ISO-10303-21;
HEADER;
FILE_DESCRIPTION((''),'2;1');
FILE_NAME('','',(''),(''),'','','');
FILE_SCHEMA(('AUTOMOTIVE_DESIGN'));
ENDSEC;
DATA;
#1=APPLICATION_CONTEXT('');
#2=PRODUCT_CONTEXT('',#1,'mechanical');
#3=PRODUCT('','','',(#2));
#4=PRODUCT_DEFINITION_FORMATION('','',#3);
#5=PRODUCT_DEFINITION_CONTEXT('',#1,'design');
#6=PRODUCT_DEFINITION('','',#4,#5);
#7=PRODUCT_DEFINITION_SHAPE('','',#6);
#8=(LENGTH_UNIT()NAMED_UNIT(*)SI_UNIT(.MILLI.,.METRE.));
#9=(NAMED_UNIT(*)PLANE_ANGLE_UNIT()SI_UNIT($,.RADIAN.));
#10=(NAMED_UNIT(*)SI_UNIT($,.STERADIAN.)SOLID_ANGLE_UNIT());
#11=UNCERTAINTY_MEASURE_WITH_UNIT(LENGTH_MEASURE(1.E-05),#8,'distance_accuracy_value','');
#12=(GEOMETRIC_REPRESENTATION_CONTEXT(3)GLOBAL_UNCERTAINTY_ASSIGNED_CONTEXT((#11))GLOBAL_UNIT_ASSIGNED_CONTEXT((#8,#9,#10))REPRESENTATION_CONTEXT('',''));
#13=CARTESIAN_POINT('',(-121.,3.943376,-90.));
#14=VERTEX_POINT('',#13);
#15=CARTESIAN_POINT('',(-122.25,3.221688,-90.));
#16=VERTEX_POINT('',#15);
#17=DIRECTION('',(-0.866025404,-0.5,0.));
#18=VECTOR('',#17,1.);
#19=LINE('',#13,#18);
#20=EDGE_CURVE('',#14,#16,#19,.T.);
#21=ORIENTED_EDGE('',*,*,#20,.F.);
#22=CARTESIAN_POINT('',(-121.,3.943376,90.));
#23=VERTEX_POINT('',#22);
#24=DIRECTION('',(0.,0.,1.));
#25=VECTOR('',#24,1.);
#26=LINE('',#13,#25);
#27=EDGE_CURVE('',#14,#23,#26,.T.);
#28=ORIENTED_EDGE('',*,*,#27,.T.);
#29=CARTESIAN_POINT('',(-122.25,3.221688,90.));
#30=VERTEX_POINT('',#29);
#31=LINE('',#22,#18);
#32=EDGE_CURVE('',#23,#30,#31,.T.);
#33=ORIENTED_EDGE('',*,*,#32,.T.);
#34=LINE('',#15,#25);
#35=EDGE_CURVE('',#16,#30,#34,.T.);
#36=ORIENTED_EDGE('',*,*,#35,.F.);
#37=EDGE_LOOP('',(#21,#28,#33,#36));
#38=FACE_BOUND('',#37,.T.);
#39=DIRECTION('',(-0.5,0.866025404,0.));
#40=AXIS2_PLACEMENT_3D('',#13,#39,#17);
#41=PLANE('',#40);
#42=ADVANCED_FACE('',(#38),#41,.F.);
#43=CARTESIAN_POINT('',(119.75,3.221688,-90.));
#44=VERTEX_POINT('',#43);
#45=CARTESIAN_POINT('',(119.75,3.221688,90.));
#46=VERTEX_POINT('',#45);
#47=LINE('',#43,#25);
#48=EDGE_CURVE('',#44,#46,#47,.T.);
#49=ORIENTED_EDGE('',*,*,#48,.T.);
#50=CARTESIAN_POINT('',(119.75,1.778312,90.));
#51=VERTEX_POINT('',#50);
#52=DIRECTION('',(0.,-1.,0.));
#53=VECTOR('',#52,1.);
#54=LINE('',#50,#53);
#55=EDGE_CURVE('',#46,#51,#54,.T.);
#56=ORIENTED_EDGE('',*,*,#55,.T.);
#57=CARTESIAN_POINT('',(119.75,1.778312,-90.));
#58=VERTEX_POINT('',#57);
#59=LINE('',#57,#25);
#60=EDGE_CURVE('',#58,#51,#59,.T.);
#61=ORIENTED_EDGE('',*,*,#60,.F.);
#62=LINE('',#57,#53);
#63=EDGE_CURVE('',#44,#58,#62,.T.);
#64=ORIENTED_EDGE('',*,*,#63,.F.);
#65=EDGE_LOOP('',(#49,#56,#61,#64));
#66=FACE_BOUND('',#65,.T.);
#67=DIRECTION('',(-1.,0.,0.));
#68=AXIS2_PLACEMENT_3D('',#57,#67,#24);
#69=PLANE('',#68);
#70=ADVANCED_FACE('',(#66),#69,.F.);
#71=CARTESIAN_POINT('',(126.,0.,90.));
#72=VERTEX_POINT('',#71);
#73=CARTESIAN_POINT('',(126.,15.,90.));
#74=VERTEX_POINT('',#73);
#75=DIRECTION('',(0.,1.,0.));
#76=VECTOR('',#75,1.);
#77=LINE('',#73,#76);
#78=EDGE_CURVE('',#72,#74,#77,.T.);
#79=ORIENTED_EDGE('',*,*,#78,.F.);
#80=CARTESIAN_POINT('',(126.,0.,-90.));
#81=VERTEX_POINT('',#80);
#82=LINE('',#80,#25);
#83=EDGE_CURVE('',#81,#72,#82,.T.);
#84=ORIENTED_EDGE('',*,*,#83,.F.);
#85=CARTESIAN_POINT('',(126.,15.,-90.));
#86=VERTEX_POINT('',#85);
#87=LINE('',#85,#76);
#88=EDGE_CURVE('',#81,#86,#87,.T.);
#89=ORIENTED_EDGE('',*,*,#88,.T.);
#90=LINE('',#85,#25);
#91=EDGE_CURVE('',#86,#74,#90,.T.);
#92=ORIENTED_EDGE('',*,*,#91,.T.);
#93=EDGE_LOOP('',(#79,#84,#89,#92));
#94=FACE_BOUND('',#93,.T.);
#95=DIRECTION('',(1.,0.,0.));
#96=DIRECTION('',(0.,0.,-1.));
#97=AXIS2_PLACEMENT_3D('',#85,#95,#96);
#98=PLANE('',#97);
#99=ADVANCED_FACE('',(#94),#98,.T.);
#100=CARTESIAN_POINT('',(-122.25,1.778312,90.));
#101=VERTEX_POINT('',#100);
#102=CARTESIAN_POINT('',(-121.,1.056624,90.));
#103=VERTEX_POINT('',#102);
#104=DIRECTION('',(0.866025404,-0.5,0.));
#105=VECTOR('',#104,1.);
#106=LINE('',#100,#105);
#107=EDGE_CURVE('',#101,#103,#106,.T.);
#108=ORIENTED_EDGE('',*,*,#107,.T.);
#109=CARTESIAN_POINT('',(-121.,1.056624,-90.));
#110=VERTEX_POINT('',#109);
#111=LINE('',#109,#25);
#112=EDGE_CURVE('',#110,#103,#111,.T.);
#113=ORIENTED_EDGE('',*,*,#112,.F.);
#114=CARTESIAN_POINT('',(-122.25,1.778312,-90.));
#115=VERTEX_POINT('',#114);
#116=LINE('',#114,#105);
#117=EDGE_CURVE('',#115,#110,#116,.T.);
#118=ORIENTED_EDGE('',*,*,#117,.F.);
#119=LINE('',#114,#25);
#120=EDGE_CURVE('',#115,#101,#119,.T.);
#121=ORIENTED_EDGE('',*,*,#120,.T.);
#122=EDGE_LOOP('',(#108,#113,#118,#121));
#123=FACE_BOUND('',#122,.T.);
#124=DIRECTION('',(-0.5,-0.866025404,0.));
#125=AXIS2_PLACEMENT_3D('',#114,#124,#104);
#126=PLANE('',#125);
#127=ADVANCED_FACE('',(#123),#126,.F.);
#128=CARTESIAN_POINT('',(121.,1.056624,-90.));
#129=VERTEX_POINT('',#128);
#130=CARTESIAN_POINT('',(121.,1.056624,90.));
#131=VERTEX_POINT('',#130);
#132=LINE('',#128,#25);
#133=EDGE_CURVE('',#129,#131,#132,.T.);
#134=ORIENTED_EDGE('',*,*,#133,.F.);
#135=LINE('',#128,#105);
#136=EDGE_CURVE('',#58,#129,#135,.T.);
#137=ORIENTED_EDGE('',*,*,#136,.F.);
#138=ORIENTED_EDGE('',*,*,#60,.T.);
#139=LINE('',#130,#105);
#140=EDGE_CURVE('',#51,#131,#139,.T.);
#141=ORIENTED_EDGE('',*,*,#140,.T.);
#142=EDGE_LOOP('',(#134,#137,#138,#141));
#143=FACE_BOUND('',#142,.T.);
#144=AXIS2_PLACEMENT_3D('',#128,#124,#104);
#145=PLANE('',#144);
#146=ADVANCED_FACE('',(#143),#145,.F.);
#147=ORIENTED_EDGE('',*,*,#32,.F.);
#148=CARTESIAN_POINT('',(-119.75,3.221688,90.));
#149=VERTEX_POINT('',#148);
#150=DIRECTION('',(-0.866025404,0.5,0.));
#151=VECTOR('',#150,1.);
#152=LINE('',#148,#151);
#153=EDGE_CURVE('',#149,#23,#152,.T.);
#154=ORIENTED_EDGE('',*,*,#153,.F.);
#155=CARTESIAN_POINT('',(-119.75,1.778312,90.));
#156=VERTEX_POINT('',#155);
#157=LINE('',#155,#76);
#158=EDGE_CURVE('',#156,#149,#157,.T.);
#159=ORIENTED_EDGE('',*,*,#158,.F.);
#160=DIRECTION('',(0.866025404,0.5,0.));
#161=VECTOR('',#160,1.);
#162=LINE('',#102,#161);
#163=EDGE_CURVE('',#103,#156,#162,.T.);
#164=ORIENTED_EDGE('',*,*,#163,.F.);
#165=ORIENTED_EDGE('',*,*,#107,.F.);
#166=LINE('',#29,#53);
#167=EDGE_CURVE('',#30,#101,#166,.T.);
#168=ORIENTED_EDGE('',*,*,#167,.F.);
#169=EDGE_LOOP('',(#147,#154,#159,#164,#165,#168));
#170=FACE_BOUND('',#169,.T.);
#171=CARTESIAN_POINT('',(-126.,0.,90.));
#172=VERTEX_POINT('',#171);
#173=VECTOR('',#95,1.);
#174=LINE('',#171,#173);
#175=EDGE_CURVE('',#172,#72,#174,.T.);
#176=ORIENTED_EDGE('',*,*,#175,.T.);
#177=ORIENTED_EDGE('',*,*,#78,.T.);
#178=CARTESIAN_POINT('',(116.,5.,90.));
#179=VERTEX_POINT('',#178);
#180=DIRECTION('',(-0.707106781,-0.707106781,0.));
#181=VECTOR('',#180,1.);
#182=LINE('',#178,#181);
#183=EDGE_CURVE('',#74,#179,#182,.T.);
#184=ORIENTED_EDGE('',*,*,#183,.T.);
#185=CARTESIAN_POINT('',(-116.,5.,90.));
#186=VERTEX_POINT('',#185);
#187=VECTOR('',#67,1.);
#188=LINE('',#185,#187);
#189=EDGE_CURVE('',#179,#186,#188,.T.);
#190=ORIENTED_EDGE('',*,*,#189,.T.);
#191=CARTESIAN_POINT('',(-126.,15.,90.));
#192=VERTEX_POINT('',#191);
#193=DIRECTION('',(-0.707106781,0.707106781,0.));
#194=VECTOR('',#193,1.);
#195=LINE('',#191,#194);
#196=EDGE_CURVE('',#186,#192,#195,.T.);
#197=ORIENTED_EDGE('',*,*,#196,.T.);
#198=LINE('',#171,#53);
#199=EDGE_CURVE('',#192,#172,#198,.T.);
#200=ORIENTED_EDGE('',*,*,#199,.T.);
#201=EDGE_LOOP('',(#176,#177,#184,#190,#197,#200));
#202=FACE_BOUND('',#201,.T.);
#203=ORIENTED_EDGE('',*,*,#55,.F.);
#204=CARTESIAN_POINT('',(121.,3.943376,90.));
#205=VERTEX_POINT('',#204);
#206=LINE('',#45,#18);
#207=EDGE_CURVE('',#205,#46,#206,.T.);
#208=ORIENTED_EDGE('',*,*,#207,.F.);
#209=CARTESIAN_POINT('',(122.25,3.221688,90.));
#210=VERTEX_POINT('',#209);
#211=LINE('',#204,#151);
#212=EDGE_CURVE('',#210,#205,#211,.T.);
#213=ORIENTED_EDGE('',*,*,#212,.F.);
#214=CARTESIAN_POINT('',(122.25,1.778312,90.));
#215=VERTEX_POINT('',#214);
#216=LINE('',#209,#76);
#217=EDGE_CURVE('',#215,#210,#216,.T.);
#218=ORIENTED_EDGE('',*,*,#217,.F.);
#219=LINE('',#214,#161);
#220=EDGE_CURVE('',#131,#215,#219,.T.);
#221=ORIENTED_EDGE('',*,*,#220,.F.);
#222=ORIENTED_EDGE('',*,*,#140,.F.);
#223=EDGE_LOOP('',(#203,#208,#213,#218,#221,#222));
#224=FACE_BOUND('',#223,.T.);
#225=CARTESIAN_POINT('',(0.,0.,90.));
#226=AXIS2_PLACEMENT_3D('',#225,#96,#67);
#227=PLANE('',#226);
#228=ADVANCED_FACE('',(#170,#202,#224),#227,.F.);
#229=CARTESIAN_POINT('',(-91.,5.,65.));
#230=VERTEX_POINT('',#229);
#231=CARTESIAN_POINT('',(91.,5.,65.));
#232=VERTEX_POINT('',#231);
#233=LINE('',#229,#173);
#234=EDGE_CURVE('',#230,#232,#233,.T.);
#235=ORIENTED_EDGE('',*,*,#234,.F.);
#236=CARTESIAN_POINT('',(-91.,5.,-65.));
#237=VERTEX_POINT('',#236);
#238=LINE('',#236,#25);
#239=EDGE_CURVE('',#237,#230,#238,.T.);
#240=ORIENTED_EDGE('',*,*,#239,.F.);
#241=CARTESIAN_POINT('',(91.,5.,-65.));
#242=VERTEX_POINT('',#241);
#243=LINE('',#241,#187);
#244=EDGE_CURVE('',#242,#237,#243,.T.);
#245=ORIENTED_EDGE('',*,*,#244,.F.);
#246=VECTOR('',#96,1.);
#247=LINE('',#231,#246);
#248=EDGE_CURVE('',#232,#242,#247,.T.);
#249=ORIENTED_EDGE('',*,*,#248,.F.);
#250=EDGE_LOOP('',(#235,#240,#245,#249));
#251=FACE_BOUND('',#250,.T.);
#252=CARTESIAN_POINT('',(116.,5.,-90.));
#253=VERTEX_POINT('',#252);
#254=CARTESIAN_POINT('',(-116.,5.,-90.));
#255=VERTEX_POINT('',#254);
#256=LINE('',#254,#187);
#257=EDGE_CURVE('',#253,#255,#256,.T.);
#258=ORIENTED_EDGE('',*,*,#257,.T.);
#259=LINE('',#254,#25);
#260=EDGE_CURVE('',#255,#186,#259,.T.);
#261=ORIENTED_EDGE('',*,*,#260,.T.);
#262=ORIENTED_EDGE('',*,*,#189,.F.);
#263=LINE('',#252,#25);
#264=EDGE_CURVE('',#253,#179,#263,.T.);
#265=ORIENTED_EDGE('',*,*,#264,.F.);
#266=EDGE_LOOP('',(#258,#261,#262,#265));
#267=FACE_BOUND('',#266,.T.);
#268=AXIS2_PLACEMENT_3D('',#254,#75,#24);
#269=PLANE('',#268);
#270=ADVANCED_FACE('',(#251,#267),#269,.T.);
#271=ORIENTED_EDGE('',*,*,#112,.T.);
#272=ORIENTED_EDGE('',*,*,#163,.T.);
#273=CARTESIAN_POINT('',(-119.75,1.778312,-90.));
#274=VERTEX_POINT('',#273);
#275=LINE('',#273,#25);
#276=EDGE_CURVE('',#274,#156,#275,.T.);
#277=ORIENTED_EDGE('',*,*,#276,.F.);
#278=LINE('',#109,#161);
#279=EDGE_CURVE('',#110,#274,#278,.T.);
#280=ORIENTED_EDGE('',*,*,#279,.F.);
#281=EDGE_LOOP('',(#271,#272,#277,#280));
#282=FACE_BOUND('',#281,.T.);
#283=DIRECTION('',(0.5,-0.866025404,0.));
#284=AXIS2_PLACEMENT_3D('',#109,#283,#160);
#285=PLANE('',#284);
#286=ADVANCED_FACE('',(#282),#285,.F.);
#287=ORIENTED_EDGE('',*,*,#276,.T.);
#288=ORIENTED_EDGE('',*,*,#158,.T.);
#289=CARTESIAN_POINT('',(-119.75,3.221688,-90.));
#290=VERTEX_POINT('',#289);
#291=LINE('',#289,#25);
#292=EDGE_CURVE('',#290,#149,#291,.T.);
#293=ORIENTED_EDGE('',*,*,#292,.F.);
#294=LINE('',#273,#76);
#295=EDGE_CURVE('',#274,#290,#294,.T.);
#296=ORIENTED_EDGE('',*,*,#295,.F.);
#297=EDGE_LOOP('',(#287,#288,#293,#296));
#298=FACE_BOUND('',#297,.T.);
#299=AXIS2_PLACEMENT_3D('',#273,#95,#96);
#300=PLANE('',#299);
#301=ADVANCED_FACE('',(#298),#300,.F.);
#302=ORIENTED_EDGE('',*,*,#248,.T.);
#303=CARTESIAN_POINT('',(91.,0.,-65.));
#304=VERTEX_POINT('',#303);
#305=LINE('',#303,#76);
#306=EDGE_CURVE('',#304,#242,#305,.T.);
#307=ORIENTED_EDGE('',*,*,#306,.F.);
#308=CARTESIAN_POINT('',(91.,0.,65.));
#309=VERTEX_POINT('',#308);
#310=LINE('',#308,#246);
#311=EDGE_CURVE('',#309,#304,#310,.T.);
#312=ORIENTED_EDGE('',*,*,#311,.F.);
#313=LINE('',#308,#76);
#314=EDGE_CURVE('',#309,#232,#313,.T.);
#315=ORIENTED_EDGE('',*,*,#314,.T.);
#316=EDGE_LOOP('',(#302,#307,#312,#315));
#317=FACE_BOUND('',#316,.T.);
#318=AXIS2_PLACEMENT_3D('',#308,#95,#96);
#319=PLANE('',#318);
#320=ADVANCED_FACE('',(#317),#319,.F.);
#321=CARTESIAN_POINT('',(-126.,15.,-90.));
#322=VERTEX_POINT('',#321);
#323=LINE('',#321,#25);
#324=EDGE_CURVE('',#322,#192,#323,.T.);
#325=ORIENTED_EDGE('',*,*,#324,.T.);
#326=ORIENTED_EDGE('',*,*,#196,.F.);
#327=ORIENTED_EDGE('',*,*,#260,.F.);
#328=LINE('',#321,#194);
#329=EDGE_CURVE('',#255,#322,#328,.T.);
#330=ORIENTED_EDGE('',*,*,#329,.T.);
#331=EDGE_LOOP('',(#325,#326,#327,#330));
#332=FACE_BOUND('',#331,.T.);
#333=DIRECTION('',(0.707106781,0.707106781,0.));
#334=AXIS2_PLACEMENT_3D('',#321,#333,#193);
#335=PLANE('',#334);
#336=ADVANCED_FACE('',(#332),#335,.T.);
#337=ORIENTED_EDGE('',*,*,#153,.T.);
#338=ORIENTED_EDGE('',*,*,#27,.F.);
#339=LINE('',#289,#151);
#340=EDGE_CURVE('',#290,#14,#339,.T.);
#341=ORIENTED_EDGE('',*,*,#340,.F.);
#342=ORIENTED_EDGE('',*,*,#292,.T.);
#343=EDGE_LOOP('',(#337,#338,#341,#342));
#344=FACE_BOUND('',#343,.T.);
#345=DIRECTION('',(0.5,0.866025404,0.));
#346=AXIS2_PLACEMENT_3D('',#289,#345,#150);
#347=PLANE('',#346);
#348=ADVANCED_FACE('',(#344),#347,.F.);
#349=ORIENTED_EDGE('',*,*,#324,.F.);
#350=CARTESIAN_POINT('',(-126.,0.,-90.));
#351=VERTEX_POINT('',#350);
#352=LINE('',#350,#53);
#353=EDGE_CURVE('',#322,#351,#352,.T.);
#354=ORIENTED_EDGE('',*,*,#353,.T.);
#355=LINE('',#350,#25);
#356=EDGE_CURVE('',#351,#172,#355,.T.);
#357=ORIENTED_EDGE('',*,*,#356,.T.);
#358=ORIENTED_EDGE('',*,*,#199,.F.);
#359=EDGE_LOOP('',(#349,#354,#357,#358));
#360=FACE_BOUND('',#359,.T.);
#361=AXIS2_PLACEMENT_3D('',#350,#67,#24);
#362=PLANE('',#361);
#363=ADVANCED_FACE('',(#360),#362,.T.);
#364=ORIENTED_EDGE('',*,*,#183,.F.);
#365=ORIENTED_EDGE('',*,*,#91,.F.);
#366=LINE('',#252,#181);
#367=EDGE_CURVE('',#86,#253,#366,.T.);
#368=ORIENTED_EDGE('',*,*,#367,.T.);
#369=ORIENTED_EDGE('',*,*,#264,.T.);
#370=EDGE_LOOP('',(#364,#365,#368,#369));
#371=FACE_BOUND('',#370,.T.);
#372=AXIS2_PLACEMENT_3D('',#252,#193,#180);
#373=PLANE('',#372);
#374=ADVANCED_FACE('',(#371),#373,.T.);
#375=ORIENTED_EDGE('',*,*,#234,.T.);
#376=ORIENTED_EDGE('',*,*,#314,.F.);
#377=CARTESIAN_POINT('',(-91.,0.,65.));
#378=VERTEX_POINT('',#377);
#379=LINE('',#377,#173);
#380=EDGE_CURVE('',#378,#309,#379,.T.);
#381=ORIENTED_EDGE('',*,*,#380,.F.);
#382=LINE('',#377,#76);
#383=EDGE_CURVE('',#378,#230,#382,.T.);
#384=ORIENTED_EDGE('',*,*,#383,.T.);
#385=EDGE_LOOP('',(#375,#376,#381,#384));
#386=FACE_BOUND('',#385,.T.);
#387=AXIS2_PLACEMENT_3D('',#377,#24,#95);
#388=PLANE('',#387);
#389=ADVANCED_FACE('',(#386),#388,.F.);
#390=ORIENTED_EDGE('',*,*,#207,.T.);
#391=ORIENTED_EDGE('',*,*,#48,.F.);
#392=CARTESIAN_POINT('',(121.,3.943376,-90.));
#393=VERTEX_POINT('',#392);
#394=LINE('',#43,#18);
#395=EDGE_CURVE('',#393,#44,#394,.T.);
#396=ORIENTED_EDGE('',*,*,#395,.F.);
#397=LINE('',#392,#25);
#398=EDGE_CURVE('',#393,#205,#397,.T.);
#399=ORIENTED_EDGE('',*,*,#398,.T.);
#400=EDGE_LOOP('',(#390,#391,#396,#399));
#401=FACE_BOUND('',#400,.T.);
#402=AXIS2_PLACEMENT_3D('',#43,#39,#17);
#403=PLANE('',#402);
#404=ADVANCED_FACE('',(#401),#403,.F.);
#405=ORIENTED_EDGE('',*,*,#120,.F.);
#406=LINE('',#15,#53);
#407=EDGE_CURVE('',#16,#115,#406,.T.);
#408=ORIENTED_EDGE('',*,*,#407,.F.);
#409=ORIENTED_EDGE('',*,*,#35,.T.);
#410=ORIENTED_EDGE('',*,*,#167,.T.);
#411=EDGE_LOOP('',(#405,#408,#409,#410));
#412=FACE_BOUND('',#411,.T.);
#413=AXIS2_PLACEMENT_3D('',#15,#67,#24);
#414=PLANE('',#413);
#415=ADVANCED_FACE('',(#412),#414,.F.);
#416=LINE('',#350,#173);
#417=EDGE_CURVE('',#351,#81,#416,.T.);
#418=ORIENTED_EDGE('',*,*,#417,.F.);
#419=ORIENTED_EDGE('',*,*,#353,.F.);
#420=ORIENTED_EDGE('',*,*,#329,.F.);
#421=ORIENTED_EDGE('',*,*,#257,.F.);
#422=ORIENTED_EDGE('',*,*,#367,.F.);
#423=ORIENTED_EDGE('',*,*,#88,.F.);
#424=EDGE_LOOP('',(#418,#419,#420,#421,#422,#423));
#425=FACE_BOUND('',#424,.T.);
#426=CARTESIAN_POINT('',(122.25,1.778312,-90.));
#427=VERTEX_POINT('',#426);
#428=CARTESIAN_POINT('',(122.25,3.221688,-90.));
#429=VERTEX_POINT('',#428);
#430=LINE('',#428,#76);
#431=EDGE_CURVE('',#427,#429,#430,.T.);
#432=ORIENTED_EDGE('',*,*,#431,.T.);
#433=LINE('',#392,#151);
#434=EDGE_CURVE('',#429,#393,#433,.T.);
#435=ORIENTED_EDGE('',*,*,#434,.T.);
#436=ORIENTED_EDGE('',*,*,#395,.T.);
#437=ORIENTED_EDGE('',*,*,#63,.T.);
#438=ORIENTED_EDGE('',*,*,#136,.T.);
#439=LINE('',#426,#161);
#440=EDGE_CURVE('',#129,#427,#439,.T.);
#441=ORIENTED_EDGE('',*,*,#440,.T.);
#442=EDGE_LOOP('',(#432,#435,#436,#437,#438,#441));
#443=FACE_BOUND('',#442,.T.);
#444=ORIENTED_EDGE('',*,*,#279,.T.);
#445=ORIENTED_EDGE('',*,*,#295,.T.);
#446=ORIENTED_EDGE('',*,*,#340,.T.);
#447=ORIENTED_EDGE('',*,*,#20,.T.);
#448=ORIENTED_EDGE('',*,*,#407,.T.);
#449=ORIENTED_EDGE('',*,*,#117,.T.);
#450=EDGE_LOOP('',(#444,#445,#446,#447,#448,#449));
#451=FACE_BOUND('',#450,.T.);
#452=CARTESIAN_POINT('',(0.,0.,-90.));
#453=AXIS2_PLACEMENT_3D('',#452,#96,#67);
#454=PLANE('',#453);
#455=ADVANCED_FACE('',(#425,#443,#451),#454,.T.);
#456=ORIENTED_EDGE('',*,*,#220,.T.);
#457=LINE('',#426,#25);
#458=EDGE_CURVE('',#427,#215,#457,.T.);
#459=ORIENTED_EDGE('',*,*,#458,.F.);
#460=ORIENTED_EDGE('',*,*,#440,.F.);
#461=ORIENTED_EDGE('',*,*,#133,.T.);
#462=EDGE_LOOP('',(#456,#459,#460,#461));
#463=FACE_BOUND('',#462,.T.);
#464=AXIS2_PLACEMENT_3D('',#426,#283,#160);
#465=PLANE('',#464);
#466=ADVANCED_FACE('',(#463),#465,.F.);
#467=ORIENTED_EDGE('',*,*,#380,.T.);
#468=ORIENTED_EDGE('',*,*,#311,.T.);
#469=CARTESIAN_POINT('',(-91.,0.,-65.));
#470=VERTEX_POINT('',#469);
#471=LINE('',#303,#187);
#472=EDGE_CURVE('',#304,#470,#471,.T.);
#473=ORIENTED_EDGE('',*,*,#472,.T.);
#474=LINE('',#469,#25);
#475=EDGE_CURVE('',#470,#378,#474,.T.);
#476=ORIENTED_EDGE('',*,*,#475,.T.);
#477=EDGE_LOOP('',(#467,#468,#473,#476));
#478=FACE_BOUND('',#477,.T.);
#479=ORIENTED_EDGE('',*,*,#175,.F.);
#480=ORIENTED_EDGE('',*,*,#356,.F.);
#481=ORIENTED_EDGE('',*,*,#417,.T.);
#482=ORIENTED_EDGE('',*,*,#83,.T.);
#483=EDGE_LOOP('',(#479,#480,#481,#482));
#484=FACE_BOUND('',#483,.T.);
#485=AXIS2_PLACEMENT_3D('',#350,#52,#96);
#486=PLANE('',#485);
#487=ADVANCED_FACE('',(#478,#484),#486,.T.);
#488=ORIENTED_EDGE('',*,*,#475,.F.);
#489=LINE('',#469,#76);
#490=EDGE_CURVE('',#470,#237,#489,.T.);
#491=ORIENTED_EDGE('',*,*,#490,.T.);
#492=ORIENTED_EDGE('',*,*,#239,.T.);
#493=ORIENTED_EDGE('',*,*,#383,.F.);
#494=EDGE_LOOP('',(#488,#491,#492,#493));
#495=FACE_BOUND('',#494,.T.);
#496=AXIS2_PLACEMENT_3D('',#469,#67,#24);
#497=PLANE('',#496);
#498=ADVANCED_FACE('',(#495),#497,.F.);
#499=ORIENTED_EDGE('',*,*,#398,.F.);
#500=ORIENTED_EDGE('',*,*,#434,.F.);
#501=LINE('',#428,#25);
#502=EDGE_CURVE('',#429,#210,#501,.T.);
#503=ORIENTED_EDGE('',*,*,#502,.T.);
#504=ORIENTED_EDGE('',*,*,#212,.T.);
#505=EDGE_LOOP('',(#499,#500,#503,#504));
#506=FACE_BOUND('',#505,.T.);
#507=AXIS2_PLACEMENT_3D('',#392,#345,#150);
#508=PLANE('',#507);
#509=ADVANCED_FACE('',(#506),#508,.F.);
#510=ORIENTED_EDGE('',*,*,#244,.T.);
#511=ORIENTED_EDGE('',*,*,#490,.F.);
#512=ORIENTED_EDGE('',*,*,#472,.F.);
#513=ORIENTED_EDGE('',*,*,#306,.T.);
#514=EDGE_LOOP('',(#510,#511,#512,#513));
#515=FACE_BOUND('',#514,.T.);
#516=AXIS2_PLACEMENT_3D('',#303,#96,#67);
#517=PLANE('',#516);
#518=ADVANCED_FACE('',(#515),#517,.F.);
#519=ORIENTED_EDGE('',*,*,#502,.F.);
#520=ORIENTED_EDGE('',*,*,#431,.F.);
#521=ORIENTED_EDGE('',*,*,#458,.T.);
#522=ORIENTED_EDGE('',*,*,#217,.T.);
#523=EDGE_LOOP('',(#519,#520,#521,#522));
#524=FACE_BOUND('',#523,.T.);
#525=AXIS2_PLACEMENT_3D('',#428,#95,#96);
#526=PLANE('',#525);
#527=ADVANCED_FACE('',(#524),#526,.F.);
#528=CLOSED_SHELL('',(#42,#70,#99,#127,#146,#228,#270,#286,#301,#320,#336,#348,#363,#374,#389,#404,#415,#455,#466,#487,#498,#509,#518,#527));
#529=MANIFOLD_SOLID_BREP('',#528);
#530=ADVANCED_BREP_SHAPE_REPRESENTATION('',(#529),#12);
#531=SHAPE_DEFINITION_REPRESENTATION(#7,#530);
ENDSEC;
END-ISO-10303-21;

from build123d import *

# Parameters (mm, degrees)
BOSS_EXTRUDE1_DEPTH      = 90
BOSS_EXTRUDE1_DEPTH_BACK = 90
CUT_EXTRUDE1_DEPTH       = 221.229425827
SKETCH5_W                = 182
SKETCH5_H                = 130
CUT_EXTRUDE3_DEPTH       = 156.164428913


with BuildPart() as part:
    # Sketch1 → Boss-Extrude1 (new, two sides: drawn at the far end of the back side and taken through both)
    with BuildSketch(Plane.XY.offset(-BOSS_EXTRUDE1_DEPTH_BACK)):
        Polygon((-126, 0), (126, 0), (126, 15), (116, 5), (-116, 5), (-126, 15), align=None)
    extrude(amount=BOSS_EXTRUDE1_DEPTH + BOSS_EXTRUDE1_DEPTH_BACK)

    # Sketch3 → Cut-Extrude1 (cut, through all)
    with BuildSketch(Plane.XY.offset(90)):
        Polygon((-121, 3.943375673), (-122.25, 3.221687836), (-122.25, 1.778312164), (-121, 1.056624327), (-119.75, 1.778312164), (-119.75, 3.221687836), align=None)
        Polygon((119.75, 3.221687836), (121, 3.943375673), (122.25, 3.221687836), (122.25, 1.778312164), (121, 1.056624327), (119.75, 1.778312164), align=None)
    extrude(amount=-CUT_EXTRUDE1_DEPTH, mode=Mode.SUBTRACT)

    # Sketch5 → Cut-Extrude3 (cut, through all)
    with BuildSketch(Plane(origin=(0, 5, 0), x_dir=(1, 0, 0), z_dir=(0, 1, 0))):
        Rectangle(SKETCH5_W, SKETCH5_H)
    extrude(amount=-CUT_EXTRUDE3_DEPTH, mode=Mode.SUBTRACT)


solid = part.part
